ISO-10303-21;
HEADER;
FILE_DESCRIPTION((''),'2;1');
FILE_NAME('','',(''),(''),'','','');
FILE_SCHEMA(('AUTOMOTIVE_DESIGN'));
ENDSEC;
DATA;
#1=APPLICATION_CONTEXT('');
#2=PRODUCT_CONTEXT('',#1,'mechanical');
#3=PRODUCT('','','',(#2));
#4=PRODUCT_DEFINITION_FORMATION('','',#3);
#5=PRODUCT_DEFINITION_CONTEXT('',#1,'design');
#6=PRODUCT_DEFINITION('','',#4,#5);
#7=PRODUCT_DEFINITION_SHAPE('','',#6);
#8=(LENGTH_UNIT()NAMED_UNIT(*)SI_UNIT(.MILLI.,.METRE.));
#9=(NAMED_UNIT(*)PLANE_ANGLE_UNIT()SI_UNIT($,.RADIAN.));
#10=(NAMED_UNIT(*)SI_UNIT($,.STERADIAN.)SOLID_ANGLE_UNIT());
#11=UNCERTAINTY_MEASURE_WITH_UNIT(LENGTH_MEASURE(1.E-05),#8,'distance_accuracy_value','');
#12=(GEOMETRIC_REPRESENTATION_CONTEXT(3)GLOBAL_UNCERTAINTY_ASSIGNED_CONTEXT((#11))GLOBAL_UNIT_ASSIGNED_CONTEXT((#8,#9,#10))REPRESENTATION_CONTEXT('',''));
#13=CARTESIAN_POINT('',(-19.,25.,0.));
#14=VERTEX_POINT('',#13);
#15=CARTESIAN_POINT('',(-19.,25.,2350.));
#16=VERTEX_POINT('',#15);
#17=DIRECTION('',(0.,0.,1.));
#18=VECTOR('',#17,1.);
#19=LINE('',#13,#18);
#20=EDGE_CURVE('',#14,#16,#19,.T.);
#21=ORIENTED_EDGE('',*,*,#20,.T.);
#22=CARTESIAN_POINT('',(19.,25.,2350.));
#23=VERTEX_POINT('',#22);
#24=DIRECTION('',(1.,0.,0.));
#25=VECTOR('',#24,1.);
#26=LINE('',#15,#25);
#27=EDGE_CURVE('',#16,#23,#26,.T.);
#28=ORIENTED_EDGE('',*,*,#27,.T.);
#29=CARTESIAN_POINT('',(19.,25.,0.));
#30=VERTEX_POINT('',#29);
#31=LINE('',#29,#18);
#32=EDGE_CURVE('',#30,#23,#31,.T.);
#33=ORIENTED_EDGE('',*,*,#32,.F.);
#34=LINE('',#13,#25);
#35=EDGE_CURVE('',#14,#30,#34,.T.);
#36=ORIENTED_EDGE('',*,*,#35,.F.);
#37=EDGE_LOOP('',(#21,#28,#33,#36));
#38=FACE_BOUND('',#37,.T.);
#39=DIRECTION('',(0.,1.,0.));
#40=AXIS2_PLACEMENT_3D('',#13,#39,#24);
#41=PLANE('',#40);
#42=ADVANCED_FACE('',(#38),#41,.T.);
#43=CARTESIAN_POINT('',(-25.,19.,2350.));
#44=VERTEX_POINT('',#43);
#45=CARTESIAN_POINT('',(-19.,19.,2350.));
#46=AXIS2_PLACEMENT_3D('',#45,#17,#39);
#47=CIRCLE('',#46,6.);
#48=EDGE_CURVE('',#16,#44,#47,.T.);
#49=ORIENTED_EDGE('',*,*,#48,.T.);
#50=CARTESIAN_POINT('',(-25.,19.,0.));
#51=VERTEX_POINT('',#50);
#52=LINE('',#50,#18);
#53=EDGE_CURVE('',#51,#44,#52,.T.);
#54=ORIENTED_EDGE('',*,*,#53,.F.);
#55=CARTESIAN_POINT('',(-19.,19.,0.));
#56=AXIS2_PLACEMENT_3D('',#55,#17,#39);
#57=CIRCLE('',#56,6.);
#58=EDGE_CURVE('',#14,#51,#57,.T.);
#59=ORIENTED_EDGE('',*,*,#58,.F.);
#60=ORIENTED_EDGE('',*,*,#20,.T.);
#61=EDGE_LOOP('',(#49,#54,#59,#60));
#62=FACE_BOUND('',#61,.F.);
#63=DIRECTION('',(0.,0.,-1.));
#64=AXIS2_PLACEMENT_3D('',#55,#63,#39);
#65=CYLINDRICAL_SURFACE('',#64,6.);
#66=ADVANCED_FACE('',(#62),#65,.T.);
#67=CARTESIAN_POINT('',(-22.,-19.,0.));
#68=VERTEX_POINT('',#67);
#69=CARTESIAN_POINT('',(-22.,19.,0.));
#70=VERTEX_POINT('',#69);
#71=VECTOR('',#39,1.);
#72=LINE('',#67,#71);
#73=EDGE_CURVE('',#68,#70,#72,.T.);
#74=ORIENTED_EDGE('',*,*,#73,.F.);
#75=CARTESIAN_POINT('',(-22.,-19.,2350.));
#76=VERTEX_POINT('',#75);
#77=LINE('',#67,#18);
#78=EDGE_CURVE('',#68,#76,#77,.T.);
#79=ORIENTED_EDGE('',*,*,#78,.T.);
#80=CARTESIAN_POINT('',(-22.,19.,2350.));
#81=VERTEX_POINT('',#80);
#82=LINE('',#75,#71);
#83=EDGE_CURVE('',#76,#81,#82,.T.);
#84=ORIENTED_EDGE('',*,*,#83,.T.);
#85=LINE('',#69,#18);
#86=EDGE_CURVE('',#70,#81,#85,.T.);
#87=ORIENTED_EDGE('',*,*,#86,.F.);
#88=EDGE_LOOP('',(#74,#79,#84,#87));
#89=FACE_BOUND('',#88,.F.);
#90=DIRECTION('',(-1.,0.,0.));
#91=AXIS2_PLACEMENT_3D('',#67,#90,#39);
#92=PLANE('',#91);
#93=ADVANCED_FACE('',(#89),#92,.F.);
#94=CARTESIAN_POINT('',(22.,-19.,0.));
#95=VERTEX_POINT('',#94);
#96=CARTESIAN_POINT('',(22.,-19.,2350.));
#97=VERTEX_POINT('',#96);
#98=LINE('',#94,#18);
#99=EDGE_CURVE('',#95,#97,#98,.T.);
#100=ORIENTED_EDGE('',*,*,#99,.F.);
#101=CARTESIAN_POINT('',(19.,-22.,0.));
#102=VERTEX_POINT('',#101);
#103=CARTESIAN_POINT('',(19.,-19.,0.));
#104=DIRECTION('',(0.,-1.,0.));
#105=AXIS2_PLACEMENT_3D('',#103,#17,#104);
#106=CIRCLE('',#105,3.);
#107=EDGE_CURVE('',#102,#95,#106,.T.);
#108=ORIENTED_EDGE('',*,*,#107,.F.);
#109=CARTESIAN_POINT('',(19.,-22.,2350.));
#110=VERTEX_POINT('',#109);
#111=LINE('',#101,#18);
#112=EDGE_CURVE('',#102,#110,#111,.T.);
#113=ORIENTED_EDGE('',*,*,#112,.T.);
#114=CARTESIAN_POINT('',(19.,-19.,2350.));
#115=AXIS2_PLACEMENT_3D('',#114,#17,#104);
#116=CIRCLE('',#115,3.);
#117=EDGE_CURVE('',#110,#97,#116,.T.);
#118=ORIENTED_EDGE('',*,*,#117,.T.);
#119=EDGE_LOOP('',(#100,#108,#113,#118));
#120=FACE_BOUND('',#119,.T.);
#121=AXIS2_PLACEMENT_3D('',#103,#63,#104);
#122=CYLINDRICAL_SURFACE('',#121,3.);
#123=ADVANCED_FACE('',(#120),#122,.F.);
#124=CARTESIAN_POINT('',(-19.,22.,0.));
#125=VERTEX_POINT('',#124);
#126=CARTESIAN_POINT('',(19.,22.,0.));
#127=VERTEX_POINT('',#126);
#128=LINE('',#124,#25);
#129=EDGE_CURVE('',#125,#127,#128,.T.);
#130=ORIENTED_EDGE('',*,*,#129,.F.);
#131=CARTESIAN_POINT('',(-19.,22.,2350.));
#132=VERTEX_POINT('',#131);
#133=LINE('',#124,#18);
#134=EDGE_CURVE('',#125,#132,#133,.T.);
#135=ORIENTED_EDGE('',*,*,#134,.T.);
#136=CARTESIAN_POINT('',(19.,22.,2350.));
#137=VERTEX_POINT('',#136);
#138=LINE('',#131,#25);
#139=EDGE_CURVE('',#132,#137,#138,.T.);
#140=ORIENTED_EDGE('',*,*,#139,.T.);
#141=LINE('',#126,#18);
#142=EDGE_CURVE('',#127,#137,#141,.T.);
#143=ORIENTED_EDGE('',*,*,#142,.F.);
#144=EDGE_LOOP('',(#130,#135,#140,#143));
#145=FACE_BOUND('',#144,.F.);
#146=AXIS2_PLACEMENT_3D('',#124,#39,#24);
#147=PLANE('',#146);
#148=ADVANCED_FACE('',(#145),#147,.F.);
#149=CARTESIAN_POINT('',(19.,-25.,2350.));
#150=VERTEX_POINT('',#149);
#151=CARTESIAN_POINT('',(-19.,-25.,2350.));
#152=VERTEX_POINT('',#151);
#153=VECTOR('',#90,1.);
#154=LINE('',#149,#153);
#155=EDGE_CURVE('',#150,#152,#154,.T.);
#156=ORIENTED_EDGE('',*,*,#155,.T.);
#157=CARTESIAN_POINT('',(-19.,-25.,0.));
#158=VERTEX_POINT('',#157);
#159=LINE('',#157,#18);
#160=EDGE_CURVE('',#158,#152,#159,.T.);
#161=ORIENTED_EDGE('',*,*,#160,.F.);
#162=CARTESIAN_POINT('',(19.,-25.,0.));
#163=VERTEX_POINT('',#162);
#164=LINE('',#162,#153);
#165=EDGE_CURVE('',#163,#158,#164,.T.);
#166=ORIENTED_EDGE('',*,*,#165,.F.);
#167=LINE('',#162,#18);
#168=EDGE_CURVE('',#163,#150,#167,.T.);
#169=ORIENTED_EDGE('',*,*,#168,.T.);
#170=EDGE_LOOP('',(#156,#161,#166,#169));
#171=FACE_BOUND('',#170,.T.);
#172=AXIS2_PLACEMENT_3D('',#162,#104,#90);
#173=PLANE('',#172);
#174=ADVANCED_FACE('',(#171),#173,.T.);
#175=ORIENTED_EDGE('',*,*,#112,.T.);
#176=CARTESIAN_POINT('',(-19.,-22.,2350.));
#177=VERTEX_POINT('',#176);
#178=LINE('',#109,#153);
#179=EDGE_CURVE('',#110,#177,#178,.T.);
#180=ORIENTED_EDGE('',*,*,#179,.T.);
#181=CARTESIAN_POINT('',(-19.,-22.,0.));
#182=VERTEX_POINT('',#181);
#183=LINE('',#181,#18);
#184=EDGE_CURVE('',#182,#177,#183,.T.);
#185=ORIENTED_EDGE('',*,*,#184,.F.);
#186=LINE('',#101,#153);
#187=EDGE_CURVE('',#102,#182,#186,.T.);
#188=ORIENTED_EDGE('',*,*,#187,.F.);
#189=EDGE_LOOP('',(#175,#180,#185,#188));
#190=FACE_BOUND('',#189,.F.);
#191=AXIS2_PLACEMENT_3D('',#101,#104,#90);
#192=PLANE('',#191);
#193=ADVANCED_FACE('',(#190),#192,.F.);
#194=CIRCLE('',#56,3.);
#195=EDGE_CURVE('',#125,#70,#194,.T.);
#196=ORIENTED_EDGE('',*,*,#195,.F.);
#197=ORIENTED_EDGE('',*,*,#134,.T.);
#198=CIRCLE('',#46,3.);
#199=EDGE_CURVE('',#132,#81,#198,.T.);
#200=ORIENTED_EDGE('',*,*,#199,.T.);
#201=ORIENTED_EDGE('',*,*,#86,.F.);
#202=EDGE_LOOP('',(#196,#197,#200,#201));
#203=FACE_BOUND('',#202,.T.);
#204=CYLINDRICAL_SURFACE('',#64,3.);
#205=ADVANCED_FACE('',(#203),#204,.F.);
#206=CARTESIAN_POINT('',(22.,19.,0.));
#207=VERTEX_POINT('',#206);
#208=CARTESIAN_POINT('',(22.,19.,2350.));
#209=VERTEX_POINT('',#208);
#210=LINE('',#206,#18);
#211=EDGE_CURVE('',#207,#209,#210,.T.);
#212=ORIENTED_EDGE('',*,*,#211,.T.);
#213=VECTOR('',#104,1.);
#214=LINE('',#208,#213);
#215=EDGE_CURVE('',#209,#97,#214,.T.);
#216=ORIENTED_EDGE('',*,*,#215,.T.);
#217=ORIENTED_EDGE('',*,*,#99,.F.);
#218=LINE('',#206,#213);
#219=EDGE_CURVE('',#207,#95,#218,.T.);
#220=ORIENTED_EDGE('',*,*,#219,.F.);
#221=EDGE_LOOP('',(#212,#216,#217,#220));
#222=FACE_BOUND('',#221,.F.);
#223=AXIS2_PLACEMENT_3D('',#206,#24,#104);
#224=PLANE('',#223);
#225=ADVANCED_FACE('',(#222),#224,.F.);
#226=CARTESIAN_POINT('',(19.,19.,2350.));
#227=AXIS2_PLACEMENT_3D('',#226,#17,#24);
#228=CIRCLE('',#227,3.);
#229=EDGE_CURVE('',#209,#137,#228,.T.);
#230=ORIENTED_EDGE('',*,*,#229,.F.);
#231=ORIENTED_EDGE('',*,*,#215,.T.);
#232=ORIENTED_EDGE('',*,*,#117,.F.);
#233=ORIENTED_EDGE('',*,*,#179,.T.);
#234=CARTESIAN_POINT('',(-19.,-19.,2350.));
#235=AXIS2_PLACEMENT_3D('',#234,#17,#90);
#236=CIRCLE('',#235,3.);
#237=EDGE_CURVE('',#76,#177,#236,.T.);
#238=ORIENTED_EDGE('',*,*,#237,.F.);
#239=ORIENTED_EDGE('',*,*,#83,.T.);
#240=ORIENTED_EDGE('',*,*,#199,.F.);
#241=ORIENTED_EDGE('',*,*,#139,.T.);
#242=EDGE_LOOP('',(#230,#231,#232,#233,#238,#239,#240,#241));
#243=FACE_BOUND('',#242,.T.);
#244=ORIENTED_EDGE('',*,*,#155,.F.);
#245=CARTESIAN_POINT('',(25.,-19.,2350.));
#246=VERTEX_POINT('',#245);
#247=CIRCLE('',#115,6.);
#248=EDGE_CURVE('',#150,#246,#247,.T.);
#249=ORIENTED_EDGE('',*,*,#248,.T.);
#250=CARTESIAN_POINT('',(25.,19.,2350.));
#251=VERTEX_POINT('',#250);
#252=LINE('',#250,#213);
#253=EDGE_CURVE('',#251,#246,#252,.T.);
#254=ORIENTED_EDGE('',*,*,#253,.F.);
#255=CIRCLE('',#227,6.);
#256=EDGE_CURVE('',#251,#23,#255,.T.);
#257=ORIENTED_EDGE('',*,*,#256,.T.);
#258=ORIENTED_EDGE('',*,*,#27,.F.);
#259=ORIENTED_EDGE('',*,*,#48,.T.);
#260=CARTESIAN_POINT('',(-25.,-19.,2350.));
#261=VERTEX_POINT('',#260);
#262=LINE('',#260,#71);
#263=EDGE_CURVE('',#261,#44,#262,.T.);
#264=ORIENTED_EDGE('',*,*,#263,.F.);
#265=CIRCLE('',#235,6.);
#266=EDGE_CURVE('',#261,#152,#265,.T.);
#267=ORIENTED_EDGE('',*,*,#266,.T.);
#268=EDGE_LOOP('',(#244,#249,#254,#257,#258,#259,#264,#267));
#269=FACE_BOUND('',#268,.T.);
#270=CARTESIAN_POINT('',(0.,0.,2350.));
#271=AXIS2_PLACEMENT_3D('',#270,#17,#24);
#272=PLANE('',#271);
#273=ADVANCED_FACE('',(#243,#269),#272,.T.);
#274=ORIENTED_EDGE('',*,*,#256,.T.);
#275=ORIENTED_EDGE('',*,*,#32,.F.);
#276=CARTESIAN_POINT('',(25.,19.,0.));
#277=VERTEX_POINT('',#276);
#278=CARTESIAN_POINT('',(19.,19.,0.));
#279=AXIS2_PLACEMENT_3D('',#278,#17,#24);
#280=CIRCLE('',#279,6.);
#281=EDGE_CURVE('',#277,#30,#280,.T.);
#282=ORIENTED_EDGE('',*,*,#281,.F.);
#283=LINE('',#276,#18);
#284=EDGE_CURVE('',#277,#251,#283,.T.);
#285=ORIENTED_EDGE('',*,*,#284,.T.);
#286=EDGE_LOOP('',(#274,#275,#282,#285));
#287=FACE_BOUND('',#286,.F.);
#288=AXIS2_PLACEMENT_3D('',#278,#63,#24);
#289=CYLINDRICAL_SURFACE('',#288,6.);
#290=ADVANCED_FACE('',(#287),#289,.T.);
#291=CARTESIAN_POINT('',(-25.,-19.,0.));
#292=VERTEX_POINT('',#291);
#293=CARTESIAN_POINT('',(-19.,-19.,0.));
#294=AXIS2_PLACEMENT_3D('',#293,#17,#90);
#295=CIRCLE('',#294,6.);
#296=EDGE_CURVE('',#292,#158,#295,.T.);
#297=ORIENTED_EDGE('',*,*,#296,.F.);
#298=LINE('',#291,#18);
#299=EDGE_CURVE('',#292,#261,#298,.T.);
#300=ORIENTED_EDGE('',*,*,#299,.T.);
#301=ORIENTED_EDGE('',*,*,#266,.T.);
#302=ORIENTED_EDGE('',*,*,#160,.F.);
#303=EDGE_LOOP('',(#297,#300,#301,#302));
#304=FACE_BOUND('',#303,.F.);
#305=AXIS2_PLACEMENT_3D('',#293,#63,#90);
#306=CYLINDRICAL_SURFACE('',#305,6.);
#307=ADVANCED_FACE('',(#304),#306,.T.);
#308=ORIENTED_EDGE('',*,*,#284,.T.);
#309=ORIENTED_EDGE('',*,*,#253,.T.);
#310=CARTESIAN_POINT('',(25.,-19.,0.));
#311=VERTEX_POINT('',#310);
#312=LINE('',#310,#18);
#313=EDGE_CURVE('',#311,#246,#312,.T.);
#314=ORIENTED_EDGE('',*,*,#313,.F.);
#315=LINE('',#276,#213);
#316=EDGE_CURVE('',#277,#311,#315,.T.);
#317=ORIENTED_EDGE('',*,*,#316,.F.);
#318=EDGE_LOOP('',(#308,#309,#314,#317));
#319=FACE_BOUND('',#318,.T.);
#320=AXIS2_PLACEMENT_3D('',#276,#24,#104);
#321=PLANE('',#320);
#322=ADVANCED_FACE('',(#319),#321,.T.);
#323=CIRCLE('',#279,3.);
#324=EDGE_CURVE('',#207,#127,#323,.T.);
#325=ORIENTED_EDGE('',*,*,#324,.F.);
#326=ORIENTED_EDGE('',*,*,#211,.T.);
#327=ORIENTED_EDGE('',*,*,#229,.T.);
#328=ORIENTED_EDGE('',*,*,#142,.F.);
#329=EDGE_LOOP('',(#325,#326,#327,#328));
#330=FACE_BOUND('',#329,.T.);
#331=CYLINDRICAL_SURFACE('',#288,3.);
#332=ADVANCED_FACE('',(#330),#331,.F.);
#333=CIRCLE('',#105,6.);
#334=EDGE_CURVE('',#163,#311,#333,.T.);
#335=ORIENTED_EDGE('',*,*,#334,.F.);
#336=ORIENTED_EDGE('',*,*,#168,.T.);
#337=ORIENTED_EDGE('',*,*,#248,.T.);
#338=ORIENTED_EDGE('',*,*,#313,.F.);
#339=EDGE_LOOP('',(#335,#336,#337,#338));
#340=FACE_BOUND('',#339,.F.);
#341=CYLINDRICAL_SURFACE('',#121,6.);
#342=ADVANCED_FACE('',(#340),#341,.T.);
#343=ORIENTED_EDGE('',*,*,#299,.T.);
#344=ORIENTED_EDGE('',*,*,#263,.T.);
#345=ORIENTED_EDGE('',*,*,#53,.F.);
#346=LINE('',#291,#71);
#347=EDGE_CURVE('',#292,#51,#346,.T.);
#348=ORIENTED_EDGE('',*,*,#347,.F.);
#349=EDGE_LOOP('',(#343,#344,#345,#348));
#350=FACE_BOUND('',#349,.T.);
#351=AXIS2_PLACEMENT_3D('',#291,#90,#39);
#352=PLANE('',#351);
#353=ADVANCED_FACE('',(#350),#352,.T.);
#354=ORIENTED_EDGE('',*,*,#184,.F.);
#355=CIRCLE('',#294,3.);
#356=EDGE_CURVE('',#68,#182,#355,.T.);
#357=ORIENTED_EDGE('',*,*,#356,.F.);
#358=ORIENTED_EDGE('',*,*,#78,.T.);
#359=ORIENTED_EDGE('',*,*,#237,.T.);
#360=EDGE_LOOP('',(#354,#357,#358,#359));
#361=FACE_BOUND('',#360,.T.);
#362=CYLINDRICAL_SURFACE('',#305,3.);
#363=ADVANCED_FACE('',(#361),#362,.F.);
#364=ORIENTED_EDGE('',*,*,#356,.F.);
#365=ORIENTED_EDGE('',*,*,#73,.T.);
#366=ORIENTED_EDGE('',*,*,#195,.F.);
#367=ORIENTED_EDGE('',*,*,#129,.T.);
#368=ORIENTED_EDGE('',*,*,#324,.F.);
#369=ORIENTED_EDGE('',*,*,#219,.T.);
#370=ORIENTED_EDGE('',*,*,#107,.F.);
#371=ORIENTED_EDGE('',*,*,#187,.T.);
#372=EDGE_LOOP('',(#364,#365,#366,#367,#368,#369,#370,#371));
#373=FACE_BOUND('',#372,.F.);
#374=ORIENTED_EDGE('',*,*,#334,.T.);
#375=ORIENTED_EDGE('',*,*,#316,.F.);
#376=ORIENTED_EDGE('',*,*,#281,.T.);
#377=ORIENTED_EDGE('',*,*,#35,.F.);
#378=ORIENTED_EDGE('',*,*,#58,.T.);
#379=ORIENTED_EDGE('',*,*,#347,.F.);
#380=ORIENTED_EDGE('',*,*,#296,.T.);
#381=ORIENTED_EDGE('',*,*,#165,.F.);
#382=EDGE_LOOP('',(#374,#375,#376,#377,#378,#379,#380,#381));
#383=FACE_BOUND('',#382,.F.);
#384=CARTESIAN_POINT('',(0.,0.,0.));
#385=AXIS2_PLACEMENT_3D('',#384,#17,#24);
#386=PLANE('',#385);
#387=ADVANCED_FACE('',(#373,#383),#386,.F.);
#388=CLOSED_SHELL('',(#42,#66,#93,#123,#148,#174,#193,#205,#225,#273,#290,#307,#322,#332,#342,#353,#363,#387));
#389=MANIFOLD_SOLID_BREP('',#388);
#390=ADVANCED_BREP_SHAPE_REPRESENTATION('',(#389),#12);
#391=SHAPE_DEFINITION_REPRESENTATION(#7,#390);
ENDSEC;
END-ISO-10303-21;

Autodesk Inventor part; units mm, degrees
ref_plane "YZ Plane" through (0, 0, 0) normal (1, 0, 0) x (0, 1, 0)
ref_plane "Start Plane" through (0, 0, 0) normal (0, 0, 1) x (1, 0, 0)
ref_plane "End Plane" through (0, 0, 2350) normal (0, 0, 1) x (1, 0, 0)
sketch "Sketch" plane through (0, 0, 0) normal (0, 0, 1) x (1, 0, 0)
  line L0 (-25, -19) -> (-25, 19)
  line L1 (-19, 25) -> (19, 25)
  line L2 (25, 19) -> (25, -19)
  line L3 (19, -25) -> (-19, -25)
  arc A0 (-25, -19) -> (-19, -25) centre (-19, -19) ccw
  arc A1 (25, 19) -> (19, 25) centre (19, 19) ccw
  arc A2 (-19, 25) -> (-25, 19) centre (-19, 19) ccw
  arc A3 (19, -25) -> (25, -19) centre (19, -19) ccw
  arc A4 (-19, 22) -> (-22, 19) centre (-19, 19) ccw
  line L4 (-19, 22) -> (19, 22)
  arc A5 (22, 19) -> (19, 22) centre (19, 19) ccw
  line L5 (22, 19) -> (22, -19)
  arc A6 (19, -22) -> (22, -19) centre (19, -19) ccw
  line L6 (19, -22) -> (-19, -22)
  arc A7 (-22, -19) -> (-19, -22) centre (-19, -19) ccw
  line L7 (-22, -19) -> (-22, 19)
  line L8 (0, 36.7397) -> (0, -36.7397) construction
  line L9 (-36.7397, 0) -> (36.7397, 0) construction
  dimension "d7" = 6
  dimension "d9" = 50
  dimension "d11" = 50
  dimension "d12" = 3
  dimension "d15" = 25
  dimension "d16" = 25
extrude "Body" add sketch "Sketch" along normal up to surface (2350 mm away) from surface at 0
sketch "Sketch3" plane through (0, 0, 0) normal (0, 0, 1) x (1, 0, 0)
  line L0 (0, 0) -> (10, 0)
ref_plane "Work Plane3" through (0, 0, 0) normal (0, -1, 0) x (1, 0, 0)
sketch "Sketch4" plane through (0, 0, 0) normal (0, -1, 0) x (1, 0, 0)
  line L0 (-2, 0) -> (12, 0) projected
  line L1 (-2, 2350) -> (12, 2350) projected
  dimension "d18" = 2350
equation "\"d7\" = G_IR"
equation "\"d9\" = G_W"
equation "\"d11\" = G_H"
equation "\"d12\" = G_T"
equation "\"d15\" = 0.5 * d9"
equation "\"d16\" = 0.5 * d11"
equation "\"d3\" = G_L"
equation "\"G_W\" = 50"
equation "\"G_H\" = 50"
equation "\"G_T\" = 3"
equation "\"G_IR\" = 6"
equation "\"G_L\" = d18"
equation "\"G_OFFSET_START\" = 0"
equation "\"G_OFFSET_END\" = 0"
properties part number "ISO 10799-2 - 50x50x3 - 2350" material "Steel, Mild"
